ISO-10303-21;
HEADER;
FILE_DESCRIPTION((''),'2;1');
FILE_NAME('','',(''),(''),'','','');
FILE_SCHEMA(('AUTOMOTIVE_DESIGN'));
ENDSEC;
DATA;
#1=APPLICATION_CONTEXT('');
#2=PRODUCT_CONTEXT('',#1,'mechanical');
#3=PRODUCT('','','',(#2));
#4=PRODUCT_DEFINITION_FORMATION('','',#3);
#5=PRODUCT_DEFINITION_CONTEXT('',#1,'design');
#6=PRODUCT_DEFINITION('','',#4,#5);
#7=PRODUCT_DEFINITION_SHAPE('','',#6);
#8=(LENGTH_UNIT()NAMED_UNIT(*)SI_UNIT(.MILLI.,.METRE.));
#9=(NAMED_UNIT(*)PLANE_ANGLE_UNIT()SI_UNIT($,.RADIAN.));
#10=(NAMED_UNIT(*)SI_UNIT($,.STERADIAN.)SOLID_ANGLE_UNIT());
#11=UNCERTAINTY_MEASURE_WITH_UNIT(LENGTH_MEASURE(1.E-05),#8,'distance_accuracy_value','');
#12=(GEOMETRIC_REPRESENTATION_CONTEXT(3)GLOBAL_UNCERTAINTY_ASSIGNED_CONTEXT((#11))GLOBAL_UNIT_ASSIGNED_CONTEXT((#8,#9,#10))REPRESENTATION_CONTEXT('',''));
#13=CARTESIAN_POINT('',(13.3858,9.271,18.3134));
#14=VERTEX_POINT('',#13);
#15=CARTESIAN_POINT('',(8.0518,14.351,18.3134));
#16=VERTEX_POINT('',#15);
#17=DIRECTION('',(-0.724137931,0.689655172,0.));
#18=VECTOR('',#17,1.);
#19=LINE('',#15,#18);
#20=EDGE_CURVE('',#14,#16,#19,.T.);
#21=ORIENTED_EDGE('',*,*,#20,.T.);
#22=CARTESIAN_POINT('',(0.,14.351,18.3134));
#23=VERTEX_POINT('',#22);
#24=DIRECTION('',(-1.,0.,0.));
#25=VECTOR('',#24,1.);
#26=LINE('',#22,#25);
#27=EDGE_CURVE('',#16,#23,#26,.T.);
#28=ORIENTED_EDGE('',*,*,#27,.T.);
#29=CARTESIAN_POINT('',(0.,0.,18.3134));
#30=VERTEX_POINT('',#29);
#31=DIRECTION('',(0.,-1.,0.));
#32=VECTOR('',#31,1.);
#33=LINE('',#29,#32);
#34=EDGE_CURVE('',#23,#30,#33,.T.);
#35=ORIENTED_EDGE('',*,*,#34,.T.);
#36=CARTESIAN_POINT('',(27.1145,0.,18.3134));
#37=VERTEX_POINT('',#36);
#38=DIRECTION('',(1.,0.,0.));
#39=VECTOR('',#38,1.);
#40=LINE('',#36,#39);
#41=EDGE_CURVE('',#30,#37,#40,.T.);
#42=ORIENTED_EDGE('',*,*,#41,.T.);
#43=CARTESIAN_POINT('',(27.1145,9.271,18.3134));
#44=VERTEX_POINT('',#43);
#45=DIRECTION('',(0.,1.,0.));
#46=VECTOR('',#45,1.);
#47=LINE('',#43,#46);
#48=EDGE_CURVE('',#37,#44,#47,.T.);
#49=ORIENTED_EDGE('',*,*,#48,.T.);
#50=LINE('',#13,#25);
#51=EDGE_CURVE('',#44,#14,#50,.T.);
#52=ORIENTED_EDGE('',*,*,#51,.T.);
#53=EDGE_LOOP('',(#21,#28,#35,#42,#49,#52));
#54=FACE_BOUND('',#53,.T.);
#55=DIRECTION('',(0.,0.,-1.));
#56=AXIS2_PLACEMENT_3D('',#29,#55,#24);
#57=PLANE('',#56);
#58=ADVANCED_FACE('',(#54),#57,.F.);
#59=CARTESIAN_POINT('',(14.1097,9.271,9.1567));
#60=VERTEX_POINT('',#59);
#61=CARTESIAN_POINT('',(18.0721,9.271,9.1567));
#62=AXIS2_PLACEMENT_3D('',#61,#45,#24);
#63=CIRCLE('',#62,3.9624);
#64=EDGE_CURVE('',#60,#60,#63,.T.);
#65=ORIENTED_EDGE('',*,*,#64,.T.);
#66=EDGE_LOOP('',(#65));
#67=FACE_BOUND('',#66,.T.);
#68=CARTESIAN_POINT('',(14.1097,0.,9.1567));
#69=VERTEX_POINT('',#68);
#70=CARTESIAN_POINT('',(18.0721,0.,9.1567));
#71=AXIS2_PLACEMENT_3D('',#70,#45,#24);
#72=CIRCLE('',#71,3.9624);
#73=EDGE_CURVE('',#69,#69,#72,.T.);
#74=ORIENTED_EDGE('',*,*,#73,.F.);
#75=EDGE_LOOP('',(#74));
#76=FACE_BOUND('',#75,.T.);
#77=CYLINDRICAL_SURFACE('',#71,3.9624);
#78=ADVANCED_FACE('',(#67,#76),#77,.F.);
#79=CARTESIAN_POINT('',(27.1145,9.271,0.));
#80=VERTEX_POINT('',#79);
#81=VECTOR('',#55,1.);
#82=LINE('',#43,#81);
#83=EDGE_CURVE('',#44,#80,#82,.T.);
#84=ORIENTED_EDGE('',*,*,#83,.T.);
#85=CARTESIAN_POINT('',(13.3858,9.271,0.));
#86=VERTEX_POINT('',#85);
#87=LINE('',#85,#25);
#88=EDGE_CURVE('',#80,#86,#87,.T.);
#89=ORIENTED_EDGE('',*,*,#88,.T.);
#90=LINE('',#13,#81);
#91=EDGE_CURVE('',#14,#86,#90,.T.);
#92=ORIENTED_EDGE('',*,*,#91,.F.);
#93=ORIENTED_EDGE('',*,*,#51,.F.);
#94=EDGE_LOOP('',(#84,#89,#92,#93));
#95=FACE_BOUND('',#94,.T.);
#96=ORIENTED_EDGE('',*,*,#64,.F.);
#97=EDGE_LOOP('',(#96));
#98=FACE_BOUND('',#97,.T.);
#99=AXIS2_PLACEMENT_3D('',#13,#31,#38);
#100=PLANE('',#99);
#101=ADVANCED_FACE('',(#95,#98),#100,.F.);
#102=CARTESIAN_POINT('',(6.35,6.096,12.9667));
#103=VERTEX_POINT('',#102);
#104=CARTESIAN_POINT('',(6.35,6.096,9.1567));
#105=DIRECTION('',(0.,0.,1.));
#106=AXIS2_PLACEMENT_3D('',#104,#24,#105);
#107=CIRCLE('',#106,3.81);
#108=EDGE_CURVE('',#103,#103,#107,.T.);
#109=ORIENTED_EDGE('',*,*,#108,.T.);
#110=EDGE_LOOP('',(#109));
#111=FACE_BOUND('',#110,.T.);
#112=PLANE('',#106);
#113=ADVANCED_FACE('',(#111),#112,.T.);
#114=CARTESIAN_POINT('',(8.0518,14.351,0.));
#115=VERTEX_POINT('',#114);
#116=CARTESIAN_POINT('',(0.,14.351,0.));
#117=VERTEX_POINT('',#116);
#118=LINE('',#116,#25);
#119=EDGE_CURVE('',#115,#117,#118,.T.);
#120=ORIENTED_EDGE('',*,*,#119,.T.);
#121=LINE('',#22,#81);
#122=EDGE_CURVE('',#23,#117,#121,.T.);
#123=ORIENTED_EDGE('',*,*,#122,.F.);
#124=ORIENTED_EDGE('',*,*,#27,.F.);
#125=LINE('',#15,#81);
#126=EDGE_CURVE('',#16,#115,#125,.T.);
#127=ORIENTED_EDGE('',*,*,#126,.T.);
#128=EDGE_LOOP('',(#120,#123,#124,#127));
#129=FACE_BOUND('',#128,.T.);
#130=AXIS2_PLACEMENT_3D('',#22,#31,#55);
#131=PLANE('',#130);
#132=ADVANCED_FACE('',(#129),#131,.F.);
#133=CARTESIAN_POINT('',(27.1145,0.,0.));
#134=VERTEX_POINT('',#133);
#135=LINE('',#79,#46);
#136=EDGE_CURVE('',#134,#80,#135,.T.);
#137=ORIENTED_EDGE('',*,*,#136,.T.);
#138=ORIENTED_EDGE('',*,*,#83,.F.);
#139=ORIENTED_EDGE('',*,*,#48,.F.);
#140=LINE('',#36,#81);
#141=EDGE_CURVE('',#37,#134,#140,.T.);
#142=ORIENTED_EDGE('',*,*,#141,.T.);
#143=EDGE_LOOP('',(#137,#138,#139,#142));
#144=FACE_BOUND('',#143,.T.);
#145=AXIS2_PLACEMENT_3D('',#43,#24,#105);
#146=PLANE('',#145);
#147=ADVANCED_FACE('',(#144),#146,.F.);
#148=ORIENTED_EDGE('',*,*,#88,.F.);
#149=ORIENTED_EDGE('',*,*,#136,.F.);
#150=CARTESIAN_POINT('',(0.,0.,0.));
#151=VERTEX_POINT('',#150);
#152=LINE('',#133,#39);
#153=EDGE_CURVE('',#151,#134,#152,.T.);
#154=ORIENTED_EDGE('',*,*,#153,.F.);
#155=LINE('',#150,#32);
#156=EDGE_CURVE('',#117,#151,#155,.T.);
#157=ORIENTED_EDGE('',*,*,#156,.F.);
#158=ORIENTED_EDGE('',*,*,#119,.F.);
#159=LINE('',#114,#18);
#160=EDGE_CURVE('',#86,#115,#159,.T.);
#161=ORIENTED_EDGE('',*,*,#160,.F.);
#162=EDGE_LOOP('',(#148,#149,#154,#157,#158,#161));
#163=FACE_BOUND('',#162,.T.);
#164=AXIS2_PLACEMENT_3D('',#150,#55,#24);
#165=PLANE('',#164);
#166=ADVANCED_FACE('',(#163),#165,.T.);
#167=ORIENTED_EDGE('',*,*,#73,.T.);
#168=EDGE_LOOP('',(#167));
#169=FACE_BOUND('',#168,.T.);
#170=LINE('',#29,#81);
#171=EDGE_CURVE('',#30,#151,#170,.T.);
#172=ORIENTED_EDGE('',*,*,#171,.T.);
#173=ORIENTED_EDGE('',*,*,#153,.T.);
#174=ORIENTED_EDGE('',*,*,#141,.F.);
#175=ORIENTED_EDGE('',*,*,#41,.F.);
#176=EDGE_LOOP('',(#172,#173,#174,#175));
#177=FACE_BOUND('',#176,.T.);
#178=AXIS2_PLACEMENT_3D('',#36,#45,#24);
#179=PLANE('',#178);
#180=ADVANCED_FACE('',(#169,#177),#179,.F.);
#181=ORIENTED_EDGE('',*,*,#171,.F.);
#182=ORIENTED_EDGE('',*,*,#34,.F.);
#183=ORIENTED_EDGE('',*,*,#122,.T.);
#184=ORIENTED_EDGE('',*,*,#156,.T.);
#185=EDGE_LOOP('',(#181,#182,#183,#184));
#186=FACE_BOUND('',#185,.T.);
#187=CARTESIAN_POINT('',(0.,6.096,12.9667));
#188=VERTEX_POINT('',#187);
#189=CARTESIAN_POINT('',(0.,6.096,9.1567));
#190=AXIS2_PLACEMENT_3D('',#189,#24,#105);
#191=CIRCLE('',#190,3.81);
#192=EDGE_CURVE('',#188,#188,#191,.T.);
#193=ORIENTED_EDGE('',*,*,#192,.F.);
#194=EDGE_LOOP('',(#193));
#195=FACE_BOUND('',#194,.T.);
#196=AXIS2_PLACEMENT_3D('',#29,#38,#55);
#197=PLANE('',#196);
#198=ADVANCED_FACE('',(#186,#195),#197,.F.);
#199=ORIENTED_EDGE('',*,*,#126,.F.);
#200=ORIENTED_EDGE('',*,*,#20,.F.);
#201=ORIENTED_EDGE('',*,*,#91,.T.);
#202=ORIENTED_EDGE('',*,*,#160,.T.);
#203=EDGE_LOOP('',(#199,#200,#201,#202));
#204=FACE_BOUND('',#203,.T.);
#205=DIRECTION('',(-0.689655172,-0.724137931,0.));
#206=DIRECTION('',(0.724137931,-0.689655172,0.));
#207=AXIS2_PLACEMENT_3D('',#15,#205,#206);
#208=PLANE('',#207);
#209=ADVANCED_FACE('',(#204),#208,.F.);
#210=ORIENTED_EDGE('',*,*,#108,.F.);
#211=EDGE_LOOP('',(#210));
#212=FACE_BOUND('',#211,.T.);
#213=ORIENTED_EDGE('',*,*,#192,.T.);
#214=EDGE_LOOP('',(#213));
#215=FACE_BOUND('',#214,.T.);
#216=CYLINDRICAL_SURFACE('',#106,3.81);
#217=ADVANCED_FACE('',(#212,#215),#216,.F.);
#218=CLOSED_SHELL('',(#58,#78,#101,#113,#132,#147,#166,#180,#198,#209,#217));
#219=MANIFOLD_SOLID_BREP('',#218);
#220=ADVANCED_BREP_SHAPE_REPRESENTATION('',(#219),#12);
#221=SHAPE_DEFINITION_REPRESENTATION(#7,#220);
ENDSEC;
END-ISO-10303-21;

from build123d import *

# Parameters (mm, degrees)
BOSS_EXTRUDE1_DEPTH = 18.3134
SKETCH2_R           = 3.9624
CUT_EXTRUDE1_DEPTH  = 10.271
SKETCH3_R           = 3.81
CUT_EXTRUDE2_DEPTH  = 6.35


with BuildPart() as part:
    # Sketch1 → Boss-Extrude1 (new body)
    with BuildSketch(Plane.XY):
        Polygon((0, 0), (0, 14.351), (8.0518, 14.351), (13.3858, 9.271), (27.1145, 9.271), (27.1145, 0), align=None)
    extrude(amount=BOSS_EXTRUDE1_DEPTH)

    # Sketch2 → Cut-Extrude1 (cut, through all)
    with BuildSketch(Plane(origin=(0, 9.271, 0), x_dir=(1, 0, 0), z_dir=(0, 1, 0))):
        with Locations(Location((18.0721, -9.1567, 0), (0, 0, 180))):  # turned: the seam where the file's is
            Circle(SKETCH2_R)
    extrude(amount=-CUT_EXTRUDE1_DEPTH, mode=Mode.SUBTRACT)

    # Sketch3 → Cut-Extrude2 (cut)
    with BuildSketch(Plane.ZY):
        with Locations((9.1567, 6.096)):
            Circle(SKETCH3_R)
    extrude(amount=-CUT_EXTRUDE2_DEPTH, mode=Mode.SUBTRACT)


solid = part.part
